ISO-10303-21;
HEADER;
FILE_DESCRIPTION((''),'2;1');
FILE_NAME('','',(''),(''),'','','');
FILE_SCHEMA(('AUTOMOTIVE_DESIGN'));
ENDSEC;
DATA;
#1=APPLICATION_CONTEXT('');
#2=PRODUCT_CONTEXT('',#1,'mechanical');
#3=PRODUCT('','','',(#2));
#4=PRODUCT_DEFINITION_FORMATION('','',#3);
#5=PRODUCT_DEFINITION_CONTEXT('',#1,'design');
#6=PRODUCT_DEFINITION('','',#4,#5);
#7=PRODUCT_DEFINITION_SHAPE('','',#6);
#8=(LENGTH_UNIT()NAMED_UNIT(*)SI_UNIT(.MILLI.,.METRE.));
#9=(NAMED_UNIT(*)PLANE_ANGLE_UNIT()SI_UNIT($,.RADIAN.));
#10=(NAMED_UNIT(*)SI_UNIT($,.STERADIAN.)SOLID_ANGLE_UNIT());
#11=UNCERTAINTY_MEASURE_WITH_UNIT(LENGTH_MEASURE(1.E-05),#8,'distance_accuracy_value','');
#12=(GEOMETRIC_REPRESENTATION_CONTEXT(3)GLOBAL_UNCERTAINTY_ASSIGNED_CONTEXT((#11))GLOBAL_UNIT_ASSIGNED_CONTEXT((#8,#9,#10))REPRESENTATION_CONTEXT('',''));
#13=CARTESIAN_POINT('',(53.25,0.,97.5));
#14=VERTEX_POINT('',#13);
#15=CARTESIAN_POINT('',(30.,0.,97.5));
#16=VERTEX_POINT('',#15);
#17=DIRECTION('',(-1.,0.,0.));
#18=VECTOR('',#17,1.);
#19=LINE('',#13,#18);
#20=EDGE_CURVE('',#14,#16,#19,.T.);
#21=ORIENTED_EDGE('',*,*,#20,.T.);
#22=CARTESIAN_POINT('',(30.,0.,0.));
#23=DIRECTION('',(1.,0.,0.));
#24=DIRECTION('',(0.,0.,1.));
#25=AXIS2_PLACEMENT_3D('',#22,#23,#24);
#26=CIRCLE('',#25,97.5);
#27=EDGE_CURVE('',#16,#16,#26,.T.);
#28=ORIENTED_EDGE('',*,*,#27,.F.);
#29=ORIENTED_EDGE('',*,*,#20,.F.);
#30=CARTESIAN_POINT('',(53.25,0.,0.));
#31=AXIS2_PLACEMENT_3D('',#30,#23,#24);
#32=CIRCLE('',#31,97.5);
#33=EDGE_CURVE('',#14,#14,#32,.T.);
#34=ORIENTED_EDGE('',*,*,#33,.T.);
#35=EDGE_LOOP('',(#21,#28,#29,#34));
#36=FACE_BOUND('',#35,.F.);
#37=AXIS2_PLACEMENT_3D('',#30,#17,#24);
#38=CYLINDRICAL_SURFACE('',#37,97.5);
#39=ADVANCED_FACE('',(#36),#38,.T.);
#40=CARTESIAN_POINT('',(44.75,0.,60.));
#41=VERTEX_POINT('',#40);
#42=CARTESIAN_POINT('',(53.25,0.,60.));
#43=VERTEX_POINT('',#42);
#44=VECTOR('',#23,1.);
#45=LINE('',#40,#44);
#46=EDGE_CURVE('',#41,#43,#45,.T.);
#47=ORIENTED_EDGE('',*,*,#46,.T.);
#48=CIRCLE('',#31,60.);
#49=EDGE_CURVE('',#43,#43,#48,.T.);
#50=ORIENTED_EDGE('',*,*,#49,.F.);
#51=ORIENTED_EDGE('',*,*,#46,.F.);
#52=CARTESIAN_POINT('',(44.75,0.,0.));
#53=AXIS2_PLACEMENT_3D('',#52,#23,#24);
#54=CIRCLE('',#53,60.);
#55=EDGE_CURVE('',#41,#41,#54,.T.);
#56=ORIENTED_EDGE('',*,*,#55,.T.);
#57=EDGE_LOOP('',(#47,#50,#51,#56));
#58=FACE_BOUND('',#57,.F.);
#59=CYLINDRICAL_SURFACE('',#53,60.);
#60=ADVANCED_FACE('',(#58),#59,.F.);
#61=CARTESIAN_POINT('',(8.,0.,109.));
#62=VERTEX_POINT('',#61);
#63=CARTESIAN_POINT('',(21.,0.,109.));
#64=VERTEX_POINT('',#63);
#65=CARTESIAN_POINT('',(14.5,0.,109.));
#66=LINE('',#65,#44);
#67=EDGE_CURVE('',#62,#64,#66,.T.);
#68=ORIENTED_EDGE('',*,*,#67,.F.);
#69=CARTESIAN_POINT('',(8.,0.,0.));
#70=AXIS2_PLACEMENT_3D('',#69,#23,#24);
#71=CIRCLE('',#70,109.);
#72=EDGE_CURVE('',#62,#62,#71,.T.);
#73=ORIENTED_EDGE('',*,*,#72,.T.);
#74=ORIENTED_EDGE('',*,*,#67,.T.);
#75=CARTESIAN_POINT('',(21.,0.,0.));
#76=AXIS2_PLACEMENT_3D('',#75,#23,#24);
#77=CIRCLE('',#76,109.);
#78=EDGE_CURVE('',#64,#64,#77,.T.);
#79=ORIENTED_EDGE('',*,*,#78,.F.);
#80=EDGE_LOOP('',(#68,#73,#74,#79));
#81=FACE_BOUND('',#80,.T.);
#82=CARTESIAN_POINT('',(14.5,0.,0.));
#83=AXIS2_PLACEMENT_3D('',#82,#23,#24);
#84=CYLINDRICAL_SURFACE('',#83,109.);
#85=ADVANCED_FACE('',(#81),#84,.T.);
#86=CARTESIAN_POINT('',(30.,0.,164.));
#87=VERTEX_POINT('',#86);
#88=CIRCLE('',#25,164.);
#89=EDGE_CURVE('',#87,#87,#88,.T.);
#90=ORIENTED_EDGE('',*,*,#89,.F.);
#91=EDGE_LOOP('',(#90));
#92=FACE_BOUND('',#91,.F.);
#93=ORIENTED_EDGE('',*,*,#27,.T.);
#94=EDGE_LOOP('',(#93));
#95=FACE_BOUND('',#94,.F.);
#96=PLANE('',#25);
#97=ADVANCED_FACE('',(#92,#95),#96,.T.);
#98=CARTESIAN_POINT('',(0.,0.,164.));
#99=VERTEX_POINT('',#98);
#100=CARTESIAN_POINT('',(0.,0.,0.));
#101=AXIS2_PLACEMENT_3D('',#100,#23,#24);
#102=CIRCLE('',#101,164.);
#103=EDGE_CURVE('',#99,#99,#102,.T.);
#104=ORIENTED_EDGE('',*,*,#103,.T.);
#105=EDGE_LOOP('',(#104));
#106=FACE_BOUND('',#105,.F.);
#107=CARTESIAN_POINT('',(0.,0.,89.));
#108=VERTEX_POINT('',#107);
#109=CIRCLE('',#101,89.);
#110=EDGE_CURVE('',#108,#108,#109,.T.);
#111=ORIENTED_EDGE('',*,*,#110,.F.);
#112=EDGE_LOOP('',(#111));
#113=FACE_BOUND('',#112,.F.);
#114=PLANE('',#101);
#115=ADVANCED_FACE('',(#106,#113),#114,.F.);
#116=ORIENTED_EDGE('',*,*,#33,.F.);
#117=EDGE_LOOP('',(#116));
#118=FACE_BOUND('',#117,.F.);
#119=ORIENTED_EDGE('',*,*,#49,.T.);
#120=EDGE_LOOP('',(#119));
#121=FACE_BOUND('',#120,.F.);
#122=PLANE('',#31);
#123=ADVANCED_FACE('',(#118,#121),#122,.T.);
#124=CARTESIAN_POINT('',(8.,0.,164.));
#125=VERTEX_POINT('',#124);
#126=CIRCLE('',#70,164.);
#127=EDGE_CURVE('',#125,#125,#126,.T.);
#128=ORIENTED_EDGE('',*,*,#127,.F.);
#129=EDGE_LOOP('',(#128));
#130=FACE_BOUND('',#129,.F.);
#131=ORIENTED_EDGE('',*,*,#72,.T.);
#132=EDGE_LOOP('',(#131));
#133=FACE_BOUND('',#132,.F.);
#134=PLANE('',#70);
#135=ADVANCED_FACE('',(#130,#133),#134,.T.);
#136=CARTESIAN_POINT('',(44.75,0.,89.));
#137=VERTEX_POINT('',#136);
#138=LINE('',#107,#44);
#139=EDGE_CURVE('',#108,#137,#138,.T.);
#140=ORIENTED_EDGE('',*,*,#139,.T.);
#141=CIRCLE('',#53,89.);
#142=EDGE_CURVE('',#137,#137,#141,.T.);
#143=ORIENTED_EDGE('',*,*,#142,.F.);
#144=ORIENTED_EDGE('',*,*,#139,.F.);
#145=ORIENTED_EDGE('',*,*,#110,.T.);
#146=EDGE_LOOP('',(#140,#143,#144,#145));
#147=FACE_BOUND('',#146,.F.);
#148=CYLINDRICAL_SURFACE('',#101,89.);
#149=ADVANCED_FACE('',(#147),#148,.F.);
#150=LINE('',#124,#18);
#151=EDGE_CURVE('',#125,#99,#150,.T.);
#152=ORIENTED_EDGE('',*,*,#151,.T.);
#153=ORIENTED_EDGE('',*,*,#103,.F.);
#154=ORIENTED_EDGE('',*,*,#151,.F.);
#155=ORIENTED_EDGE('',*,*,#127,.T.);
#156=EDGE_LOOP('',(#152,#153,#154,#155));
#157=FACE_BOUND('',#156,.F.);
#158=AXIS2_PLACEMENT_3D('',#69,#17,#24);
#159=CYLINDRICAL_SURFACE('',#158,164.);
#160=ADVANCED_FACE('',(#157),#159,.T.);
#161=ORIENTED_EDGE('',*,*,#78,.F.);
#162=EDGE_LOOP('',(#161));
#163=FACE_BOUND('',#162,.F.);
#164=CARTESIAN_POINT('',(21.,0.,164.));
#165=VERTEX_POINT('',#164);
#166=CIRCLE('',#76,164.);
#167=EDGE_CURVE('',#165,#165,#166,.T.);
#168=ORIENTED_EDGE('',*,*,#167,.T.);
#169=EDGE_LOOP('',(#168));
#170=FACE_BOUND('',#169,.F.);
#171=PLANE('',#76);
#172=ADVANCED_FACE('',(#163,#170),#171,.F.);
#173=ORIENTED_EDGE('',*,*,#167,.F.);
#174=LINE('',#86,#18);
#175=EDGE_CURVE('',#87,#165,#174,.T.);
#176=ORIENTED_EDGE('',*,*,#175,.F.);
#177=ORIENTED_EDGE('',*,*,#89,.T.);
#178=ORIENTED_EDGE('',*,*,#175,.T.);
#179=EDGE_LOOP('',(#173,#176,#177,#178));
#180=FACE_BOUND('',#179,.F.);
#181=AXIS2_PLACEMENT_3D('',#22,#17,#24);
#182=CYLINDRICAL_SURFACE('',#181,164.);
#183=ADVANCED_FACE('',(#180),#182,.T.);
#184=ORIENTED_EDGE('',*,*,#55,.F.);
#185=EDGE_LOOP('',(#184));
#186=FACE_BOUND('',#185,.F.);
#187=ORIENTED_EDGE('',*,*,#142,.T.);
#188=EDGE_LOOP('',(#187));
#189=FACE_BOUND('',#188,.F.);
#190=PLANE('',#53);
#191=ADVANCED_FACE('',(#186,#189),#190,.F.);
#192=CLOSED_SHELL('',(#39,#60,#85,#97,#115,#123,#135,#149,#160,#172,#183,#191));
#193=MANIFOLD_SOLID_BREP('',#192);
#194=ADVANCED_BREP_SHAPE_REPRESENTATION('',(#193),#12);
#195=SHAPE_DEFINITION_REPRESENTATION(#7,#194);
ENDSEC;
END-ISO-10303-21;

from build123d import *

# Parameters (mm, degrees)
F0_W   = 8
F0_H   = 8.5
F0_W_2 = 13
F0_H_2 = 11.5
F0_W_3 = 9


with BuildPart() as f1:
    # F0 (on Front) → F1 (revolve)
    with BuildSketch(Plane.XZ):
        Polygon((0, 164), (0, 97.5), (8, 97.5), (8, 109), (8, 164), align=None)
        with Locations((4, 93.25)):
            Rectangle(F0_W, F0_H)
        Polygon((21, 109), (21, 97.5), (30, 97.5), (30, 164), (21, 164), align=None)
        Polygon((30, 97.5), (30, 89), (44.75, 89), (44.75, 60), (53.25, 60), (53.25, 97.5), align=None)
        with Locations((14.5, 103.25)):
            Rectangle(F0_W_2, F0_H_2)
        with Locations((14.5, 93.25)):
            Rectangle(F0_W_2, F0_H)
        with Locations((25.5, 93.25)):
            Rectangle(F0_W_3, F0_H)
    revolve(axis=Axis((49, 0, 0), (1, 0, 0)))


solid = f1.part
